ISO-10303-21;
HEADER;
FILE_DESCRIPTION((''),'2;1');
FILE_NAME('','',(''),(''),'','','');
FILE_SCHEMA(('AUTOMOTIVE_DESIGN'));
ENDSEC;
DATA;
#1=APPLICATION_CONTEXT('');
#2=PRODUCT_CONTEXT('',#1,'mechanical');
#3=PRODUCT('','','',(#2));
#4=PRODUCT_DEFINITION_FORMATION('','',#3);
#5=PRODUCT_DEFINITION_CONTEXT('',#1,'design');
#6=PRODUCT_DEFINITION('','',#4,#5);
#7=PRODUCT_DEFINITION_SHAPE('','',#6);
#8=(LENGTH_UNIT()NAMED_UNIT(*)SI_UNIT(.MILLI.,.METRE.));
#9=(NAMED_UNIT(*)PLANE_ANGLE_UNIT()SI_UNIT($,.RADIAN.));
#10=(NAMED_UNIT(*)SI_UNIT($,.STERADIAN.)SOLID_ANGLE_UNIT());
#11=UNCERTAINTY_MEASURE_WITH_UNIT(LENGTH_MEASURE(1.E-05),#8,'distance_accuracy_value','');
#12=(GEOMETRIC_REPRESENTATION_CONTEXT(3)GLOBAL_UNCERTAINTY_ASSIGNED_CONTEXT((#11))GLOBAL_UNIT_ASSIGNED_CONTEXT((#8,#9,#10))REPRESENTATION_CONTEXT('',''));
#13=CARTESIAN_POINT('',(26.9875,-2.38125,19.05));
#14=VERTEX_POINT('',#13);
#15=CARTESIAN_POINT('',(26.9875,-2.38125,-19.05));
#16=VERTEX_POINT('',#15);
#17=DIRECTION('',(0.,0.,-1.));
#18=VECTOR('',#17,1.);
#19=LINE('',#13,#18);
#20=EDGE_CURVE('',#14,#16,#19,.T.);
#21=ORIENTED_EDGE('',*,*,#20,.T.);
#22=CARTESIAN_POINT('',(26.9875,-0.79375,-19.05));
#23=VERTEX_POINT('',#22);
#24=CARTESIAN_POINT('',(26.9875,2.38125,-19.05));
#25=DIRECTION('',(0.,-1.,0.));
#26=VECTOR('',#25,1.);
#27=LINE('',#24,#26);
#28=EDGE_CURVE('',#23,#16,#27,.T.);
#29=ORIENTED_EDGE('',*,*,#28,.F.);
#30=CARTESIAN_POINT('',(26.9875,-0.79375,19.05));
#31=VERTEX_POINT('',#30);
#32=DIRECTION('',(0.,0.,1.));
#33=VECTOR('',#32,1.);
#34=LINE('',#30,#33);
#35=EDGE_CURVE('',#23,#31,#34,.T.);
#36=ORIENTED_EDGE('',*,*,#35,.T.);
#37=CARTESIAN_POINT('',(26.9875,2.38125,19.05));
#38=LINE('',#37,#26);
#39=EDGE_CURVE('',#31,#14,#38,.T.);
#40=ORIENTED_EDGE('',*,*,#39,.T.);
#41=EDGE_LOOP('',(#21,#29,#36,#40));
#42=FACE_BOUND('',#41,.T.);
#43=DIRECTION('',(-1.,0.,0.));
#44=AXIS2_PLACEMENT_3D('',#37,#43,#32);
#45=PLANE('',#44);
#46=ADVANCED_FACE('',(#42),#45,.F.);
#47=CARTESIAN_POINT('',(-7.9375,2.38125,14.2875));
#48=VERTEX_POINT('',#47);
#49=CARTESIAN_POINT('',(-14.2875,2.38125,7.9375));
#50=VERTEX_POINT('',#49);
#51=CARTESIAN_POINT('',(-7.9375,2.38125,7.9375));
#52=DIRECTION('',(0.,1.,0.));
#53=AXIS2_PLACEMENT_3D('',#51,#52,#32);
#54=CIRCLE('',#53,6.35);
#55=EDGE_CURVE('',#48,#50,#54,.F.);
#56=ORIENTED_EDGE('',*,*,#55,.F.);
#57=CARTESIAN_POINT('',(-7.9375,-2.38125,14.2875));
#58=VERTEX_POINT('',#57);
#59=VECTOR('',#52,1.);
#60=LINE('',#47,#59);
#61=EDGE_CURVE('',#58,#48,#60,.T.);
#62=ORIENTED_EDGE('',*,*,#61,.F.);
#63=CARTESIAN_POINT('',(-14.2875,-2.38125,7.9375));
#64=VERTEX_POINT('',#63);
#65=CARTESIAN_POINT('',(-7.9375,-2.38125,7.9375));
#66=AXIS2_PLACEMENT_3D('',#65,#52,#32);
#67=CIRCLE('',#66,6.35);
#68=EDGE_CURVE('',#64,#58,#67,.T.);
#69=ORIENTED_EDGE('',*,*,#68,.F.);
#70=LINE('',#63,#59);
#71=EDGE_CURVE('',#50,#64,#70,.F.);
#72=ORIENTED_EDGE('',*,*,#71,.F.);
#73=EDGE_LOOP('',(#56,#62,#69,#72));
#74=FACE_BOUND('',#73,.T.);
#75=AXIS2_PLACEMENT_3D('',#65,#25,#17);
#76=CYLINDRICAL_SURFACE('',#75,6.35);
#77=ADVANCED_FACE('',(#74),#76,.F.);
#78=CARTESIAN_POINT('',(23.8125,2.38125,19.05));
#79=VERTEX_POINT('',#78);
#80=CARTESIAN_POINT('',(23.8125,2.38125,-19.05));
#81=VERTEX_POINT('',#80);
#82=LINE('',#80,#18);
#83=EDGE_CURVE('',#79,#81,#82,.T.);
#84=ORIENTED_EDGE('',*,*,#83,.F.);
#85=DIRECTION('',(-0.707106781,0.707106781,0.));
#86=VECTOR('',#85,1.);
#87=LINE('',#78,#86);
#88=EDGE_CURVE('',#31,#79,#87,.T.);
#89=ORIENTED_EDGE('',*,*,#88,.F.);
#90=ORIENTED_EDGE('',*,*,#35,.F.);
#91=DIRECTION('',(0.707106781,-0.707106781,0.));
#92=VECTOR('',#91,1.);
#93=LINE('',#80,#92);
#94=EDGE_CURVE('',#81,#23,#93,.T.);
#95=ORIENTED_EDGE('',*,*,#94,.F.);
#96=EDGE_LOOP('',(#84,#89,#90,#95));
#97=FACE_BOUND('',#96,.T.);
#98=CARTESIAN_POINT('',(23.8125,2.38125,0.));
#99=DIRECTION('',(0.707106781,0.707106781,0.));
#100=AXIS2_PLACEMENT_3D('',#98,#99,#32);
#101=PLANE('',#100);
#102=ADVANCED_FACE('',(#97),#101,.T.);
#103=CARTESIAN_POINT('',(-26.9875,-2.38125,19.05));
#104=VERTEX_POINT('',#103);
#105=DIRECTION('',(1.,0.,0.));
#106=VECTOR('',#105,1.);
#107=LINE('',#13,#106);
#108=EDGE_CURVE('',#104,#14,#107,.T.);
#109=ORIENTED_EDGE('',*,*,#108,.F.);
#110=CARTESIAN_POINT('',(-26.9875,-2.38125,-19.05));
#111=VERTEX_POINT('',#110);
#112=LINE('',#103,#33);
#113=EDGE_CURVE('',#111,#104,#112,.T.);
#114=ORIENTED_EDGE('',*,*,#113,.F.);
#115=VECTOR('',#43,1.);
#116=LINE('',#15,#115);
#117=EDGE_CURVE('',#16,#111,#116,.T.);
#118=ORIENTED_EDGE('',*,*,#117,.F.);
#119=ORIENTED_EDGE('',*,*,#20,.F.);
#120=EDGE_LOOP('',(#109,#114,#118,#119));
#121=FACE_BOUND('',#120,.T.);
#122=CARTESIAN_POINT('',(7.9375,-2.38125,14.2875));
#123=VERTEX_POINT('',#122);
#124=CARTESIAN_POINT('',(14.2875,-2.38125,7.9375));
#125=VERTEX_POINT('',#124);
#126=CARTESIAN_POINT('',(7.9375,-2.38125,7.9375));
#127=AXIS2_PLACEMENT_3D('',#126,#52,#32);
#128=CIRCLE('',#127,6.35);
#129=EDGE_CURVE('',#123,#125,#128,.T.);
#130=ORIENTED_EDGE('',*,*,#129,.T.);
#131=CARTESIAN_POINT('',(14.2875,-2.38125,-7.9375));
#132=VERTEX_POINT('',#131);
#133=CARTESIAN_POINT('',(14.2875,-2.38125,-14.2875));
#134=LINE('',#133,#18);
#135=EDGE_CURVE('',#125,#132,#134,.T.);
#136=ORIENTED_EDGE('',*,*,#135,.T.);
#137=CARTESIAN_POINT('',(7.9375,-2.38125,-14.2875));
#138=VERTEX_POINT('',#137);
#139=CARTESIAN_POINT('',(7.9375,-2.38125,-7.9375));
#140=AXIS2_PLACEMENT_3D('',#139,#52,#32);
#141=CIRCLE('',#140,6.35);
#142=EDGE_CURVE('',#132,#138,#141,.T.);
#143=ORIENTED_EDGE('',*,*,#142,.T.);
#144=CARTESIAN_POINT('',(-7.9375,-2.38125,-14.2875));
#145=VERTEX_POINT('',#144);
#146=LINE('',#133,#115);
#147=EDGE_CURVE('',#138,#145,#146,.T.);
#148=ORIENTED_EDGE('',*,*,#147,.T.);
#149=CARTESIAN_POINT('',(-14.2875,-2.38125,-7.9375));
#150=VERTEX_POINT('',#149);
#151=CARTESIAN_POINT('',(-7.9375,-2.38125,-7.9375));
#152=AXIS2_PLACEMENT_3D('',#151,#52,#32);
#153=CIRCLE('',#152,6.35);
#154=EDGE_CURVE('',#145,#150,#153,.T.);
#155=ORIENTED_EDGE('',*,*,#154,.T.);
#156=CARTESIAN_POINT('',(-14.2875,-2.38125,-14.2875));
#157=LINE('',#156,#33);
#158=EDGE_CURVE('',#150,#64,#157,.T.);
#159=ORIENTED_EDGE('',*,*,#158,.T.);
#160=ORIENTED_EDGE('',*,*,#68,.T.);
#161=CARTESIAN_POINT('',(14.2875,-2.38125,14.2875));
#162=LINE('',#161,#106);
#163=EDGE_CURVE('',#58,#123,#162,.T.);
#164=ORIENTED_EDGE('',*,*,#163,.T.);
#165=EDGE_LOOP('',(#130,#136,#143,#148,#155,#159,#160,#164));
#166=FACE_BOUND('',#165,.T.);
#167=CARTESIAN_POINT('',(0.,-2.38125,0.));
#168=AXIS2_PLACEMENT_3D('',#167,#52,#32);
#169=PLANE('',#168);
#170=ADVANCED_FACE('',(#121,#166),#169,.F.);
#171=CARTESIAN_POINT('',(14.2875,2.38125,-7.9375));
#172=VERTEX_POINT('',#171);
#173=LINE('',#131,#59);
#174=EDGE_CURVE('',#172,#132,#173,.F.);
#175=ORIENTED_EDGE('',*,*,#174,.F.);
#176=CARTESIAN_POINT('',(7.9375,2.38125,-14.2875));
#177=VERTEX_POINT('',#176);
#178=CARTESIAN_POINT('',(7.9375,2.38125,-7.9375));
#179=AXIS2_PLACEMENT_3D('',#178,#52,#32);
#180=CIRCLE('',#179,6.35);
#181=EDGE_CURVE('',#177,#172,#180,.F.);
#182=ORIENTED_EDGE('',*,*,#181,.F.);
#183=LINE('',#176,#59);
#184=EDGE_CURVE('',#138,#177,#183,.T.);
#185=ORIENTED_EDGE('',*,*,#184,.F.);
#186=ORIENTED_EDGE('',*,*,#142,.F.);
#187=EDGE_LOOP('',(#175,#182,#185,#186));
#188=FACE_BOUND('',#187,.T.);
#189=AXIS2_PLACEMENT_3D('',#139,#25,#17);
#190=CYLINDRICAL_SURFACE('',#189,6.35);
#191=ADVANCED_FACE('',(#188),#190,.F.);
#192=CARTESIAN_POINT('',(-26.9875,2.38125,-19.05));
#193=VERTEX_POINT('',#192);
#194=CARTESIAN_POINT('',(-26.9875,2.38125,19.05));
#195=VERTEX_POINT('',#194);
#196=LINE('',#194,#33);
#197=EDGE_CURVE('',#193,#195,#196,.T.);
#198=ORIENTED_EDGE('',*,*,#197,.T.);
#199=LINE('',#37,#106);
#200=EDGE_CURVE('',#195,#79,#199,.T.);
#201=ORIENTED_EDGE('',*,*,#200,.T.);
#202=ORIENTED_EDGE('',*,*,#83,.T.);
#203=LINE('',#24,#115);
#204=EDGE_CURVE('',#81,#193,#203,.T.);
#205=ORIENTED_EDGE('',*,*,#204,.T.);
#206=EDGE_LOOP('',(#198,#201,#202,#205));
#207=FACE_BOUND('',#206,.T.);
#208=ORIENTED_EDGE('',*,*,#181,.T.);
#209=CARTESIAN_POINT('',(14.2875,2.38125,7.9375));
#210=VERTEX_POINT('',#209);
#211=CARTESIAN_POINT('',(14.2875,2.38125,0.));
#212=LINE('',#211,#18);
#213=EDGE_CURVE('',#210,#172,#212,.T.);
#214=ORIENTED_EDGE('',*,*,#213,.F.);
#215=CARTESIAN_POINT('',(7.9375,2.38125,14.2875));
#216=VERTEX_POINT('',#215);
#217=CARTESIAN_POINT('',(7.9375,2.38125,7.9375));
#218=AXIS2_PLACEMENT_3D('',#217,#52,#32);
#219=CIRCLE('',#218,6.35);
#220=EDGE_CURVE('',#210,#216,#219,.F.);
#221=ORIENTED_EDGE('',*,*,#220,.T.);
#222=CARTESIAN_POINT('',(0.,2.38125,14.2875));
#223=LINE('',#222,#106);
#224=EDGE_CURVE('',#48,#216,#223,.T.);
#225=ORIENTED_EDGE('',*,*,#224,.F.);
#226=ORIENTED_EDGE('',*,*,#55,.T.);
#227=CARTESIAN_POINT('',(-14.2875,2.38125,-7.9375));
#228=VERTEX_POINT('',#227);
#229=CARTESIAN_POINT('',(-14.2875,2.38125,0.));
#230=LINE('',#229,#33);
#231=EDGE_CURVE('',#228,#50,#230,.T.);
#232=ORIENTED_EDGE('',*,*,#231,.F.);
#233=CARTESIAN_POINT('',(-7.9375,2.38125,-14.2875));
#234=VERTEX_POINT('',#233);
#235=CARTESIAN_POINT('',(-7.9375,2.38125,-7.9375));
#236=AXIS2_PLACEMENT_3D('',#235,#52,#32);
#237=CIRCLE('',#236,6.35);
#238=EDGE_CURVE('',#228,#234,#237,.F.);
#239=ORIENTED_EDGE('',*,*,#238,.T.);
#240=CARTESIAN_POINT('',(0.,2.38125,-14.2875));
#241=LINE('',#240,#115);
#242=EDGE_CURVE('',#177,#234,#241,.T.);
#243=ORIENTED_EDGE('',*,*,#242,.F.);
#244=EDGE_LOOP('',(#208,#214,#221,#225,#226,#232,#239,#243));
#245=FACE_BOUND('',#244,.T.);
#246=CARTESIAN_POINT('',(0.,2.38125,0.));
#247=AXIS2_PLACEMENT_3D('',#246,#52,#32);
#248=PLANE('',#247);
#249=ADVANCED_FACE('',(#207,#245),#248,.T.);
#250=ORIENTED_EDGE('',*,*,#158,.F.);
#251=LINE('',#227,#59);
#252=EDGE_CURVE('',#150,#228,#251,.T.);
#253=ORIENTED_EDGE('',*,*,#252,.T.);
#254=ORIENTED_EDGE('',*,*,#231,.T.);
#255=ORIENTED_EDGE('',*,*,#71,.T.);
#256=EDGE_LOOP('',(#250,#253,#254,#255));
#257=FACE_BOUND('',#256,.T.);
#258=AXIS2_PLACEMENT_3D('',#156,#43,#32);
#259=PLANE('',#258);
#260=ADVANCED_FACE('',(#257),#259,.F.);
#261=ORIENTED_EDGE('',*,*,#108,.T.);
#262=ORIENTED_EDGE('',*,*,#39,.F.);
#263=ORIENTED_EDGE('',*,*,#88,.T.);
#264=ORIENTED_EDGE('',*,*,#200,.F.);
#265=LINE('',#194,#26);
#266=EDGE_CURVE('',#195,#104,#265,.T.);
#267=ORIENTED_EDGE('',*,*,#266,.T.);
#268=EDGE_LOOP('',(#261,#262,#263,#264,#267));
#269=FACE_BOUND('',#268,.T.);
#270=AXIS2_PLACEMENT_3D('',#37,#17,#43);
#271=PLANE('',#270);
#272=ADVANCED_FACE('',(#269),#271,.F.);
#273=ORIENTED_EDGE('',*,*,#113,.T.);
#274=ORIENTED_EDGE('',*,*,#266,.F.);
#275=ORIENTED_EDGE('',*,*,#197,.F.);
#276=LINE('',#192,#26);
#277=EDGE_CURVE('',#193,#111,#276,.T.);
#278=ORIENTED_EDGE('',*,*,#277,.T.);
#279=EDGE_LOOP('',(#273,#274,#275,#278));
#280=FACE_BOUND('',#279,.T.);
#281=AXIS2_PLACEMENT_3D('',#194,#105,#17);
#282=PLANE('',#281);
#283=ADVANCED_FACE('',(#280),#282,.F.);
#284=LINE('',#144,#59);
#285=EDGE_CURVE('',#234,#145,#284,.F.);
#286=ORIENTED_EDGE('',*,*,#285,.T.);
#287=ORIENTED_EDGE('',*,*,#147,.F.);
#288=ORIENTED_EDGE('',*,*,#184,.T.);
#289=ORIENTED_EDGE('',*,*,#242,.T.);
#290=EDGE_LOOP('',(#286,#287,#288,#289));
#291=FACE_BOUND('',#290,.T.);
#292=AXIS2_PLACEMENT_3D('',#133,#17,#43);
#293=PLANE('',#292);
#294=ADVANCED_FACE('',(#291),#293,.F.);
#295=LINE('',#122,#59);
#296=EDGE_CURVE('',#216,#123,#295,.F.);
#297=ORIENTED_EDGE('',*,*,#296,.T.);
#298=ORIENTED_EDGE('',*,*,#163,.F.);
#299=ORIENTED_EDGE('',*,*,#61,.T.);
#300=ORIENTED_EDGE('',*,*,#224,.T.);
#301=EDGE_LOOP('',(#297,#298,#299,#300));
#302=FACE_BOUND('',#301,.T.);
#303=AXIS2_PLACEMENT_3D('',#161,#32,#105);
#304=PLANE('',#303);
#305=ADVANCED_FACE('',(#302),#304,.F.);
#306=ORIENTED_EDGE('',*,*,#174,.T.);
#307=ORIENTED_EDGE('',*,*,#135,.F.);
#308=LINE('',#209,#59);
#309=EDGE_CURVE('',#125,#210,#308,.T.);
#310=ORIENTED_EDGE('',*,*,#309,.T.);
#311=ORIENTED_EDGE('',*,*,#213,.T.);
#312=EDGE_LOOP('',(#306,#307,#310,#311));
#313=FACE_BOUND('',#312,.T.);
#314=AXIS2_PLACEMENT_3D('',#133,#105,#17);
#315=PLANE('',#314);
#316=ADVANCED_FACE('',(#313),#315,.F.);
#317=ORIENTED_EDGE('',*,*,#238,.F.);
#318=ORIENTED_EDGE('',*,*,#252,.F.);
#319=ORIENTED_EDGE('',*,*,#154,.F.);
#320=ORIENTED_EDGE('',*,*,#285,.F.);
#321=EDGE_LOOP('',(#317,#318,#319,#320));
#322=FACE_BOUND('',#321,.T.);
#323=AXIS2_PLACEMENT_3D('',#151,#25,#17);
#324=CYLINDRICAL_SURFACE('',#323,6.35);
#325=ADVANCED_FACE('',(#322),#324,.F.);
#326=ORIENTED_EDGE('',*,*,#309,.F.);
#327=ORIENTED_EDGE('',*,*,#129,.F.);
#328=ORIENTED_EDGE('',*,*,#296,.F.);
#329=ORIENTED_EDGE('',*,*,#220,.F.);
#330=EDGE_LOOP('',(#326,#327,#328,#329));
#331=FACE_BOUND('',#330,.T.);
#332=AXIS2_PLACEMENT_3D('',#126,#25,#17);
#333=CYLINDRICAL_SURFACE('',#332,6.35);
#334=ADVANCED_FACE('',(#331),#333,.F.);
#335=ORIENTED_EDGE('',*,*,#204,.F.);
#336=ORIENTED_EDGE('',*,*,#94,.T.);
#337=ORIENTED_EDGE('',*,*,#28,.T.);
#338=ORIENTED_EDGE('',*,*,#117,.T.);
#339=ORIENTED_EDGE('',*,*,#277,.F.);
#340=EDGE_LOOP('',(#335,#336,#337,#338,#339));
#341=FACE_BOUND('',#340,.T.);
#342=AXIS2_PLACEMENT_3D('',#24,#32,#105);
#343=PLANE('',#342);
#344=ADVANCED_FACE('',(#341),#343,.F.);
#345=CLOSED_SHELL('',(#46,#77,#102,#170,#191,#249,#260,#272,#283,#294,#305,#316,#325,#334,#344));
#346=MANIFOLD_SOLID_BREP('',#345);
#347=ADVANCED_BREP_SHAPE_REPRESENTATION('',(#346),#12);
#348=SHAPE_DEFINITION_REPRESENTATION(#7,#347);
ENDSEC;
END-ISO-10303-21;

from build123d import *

# Parameters (mm, degrees)
SKETCH1_W               = 53.975
SKETCH1_H               = 38.1
BOSS_EXTRUDE1_DEPTH     = 2.38125
CHAMFER1_SIZE           = 3.175
CUT_EXTRUDE1_DEPTH      = 34.375276216
CUT_EXTRUDE1_DEPTH_BACK = 34.375276216
SKETCH4_W               = 28.575
SKETCH4_H               = 28.575
FILLET1_R               = 6.35


with BuildPart() as part:
    # Sketch1 → Boss-Extrude1 (new, symmetric)
    with BuildSketch(Plane(origin=(0, 0, 0), x_dir=(1, 0, 0), z_dir=(0, 1, 0))):
        Rectangle(SKETCH1_W, SKETCH1_H)
    extrude(amount=BOSS_EXTRUDE1_DEPTH, both=True)

    # Chamfer1
    chamfer1_edges = [part.edges().sort_by_distance(p)[0] for p in [
        (26.9875, 2.38125, 0),
    ]]
    chamfer(chamfer1_edges, length=CHAMFER1_SIZE)

    # Sketch4 → Cut-Extrude1 (cut, two sides: drawn at the far end of the back side and taken through both)
    with BuildSketch(Plane(origin=(0, 2.38125, 0), x_dir=(1, 0, 0), z_dir=(0, 1, 0)).offset(-CUT_EXTRUDE1_DEPTH_BACK)):
        Rectangle(SKETCH4_W, SKETCH4_H)
    extrude(amount=CUT_EXTRUDE1_DEPTH + CUT_EXTRUDE1_DEPTH_BACK, mode=Mode.SUBTRACT)

    # Fillet1
    fillet1_edges = [part.edges().sort_by_distance(p)[0] for p in [
        (-14.2875, 0, 14.2875),
        (-14.2875, 0, -14.2875),
        (14.2875, 0, -14.2875),
        (14.2875, 0, 14.2875),
    ]]
    fillet(fillet1_edges, radius=FILLET1_R)


solid = part.part
